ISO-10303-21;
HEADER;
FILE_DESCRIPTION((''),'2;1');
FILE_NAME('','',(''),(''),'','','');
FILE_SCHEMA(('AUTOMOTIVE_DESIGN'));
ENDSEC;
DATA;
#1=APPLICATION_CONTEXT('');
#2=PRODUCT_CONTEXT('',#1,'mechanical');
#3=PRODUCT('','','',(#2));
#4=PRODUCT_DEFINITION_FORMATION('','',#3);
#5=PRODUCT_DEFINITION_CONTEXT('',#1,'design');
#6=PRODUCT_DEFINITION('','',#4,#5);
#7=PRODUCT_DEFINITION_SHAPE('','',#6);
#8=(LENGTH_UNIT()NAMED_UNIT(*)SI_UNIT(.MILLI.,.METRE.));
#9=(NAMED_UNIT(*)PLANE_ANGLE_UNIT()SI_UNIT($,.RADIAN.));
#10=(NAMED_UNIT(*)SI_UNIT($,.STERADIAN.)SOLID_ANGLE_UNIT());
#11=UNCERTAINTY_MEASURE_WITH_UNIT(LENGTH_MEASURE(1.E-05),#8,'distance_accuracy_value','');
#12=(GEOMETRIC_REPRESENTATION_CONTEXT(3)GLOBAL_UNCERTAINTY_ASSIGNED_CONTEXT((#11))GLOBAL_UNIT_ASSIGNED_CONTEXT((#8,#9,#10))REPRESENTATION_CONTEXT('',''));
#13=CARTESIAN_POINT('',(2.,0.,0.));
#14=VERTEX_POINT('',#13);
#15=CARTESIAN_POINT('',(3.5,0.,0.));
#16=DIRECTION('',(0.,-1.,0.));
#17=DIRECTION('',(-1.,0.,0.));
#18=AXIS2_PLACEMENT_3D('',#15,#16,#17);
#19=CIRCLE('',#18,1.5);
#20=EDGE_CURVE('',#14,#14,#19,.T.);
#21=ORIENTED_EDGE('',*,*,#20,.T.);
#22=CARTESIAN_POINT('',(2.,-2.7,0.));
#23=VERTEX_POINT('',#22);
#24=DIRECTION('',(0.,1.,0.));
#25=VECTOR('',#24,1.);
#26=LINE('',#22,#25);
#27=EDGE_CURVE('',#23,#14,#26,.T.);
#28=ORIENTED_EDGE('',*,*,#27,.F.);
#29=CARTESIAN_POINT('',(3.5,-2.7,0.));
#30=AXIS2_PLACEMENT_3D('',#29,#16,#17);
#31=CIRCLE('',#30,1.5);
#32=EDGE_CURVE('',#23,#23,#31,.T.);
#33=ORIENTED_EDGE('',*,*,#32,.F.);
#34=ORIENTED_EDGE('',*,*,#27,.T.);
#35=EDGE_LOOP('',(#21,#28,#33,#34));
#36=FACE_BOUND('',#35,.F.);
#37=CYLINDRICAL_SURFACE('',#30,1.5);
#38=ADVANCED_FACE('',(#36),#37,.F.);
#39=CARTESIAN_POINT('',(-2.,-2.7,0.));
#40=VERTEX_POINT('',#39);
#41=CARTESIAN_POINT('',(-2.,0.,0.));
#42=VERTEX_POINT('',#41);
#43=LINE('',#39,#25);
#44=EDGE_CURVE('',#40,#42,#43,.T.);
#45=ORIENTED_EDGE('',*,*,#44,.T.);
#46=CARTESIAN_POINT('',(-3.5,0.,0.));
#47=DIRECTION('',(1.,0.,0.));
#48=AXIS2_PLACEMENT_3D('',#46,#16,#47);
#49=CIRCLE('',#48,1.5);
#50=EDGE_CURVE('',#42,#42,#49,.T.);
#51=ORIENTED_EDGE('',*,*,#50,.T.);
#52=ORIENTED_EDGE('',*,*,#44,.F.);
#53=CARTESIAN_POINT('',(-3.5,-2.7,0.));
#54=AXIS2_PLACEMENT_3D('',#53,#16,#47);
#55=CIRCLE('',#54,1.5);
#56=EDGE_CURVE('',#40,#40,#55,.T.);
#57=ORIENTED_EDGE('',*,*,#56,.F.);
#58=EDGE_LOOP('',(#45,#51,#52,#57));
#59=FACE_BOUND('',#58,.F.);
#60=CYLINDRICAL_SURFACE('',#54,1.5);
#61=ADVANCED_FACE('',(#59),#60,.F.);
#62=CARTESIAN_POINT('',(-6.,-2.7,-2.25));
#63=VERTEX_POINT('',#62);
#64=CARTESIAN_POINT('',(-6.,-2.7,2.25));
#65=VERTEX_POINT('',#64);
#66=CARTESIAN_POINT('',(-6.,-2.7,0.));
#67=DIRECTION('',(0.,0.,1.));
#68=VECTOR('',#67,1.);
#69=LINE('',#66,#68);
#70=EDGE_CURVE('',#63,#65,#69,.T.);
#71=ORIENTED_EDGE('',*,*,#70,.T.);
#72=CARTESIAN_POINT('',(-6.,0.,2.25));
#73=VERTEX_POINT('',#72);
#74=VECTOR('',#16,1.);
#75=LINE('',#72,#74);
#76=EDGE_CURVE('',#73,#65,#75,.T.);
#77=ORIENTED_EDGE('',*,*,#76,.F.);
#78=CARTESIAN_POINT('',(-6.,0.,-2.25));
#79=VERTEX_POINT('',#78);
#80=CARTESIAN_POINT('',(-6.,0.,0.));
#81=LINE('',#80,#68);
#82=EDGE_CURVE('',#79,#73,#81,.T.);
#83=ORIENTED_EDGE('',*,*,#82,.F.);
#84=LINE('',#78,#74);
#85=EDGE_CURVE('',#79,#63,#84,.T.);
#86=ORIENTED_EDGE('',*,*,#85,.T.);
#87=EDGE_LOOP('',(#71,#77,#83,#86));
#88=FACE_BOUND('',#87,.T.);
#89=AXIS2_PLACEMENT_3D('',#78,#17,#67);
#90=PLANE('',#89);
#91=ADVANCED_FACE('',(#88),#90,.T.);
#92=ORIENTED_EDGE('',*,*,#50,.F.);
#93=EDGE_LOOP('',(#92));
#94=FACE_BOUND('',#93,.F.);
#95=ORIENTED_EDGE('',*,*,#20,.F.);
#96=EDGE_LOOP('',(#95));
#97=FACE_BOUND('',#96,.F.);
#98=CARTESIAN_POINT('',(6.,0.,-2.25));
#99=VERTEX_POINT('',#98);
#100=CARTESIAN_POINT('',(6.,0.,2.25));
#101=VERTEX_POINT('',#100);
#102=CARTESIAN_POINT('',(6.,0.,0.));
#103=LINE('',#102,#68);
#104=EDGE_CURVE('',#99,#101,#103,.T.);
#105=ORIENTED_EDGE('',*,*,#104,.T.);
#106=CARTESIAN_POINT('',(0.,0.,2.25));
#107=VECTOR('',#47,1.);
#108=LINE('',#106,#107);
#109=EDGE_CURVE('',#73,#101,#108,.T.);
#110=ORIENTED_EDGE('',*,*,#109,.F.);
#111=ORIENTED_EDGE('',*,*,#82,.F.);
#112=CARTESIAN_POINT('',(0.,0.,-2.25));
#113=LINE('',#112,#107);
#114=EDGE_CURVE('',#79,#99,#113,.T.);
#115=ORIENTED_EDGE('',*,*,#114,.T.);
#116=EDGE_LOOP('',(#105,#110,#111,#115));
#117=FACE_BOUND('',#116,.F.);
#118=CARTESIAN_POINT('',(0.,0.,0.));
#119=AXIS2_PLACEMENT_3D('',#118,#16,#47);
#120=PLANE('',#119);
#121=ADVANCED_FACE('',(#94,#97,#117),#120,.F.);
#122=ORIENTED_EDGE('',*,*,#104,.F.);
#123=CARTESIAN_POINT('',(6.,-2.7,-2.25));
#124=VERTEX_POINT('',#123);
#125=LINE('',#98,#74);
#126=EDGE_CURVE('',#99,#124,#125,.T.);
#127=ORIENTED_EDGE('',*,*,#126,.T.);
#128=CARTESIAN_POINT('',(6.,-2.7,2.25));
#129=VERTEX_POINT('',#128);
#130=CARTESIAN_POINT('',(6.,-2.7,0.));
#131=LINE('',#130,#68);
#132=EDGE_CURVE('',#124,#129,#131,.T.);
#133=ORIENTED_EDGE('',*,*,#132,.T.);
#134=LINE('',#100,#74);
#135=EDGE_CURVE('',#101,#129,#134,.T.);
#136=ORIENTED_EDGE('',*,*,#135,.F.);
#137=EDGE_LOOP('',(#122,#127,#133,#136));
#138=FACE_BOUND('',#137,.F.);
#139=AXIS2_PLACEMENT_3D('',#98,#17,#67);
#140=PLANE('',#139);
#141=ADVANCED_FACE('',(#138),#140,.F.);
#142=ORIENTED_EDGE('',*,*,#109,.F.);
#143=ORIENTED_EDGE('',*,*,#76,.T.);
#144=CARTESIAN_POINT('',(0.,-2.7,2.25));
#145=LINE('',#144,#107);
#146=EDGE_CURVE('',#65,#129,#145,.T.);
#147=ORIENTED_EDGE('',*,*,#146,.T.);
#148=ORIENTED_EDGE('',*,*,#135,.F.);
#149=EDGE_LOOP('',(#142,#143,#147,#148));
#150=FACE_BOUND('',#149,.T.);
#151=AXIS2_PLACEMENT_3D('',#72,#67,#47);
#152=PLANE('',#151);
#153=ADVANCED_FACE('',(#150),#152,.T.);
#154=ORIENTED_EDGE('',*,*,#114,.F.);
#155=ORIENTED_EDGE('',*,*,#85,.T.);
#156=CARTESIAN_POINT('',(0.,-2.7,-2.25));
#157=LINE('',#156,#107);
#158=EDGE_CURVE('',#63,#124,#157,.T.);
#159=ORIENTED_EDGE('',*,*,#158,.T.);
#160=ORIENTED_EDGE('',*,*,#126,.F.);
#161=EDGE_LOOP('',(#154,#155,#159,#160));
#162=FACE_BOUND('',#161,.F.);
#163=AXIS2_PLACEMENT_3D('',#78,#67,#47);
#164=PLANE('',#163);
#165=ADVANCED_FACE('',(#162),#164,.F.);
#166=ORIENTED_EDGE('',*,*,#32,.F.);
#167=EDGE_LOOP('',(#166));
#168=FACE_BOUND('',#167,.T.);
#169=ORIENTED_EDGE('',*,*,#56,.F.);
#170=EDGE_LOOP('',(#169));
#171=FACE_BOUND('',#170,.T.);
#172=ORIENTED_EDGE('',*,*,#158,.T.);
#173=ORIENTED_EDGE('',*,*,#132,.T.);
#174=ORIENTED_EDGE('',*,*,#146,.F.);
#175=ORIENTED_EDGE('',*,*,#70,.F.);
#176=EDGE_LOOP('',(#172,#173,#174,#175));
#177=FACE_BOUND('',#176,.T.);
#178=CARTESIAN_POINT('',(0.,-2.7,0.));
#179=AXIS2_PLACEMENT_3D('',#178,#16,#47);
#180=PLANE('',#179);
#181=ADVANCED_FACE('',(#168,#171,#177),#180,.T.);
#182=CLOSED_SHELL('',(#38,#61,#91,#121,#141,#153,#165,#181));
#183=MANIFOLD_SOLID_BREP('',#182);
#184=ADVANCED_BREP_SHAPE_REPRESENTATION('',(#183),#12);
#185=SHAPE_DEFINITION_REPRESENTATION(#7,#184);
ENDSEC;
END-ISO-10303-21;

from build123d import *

# Parameters (mm, degrees)
F0_W     = 12
F0_H     = 4.5
F1_DEPTH = 2.7
F2_R     = 1.5
F3_DEPTH = 25


with BuildPart() as f1:
    # F0 (on Front) → F1 (new body)
    with BuildSketch(Plane.XZ):
        Rectangle(F0_W, F0_H)
    extrude(amount=F1_DEPTH)

    # F2 (on face) → F3 (cut)
    with BuildSketch(Plane.XZ.offset(2.7)):
        with Locations((-3.5, 0)):
            Circle(F2_R)
        with BuildLine():
            ThreePointArc((5, 0), (3.5, 1.5), (2, 0))
            ThreePointArc((2, 0), (3.5, -1.5), (5, 0))
        make_face()
    extrude(amount=-F3_DEPTH, mode=Mode.SUBTRACT)


solid = f1.part
